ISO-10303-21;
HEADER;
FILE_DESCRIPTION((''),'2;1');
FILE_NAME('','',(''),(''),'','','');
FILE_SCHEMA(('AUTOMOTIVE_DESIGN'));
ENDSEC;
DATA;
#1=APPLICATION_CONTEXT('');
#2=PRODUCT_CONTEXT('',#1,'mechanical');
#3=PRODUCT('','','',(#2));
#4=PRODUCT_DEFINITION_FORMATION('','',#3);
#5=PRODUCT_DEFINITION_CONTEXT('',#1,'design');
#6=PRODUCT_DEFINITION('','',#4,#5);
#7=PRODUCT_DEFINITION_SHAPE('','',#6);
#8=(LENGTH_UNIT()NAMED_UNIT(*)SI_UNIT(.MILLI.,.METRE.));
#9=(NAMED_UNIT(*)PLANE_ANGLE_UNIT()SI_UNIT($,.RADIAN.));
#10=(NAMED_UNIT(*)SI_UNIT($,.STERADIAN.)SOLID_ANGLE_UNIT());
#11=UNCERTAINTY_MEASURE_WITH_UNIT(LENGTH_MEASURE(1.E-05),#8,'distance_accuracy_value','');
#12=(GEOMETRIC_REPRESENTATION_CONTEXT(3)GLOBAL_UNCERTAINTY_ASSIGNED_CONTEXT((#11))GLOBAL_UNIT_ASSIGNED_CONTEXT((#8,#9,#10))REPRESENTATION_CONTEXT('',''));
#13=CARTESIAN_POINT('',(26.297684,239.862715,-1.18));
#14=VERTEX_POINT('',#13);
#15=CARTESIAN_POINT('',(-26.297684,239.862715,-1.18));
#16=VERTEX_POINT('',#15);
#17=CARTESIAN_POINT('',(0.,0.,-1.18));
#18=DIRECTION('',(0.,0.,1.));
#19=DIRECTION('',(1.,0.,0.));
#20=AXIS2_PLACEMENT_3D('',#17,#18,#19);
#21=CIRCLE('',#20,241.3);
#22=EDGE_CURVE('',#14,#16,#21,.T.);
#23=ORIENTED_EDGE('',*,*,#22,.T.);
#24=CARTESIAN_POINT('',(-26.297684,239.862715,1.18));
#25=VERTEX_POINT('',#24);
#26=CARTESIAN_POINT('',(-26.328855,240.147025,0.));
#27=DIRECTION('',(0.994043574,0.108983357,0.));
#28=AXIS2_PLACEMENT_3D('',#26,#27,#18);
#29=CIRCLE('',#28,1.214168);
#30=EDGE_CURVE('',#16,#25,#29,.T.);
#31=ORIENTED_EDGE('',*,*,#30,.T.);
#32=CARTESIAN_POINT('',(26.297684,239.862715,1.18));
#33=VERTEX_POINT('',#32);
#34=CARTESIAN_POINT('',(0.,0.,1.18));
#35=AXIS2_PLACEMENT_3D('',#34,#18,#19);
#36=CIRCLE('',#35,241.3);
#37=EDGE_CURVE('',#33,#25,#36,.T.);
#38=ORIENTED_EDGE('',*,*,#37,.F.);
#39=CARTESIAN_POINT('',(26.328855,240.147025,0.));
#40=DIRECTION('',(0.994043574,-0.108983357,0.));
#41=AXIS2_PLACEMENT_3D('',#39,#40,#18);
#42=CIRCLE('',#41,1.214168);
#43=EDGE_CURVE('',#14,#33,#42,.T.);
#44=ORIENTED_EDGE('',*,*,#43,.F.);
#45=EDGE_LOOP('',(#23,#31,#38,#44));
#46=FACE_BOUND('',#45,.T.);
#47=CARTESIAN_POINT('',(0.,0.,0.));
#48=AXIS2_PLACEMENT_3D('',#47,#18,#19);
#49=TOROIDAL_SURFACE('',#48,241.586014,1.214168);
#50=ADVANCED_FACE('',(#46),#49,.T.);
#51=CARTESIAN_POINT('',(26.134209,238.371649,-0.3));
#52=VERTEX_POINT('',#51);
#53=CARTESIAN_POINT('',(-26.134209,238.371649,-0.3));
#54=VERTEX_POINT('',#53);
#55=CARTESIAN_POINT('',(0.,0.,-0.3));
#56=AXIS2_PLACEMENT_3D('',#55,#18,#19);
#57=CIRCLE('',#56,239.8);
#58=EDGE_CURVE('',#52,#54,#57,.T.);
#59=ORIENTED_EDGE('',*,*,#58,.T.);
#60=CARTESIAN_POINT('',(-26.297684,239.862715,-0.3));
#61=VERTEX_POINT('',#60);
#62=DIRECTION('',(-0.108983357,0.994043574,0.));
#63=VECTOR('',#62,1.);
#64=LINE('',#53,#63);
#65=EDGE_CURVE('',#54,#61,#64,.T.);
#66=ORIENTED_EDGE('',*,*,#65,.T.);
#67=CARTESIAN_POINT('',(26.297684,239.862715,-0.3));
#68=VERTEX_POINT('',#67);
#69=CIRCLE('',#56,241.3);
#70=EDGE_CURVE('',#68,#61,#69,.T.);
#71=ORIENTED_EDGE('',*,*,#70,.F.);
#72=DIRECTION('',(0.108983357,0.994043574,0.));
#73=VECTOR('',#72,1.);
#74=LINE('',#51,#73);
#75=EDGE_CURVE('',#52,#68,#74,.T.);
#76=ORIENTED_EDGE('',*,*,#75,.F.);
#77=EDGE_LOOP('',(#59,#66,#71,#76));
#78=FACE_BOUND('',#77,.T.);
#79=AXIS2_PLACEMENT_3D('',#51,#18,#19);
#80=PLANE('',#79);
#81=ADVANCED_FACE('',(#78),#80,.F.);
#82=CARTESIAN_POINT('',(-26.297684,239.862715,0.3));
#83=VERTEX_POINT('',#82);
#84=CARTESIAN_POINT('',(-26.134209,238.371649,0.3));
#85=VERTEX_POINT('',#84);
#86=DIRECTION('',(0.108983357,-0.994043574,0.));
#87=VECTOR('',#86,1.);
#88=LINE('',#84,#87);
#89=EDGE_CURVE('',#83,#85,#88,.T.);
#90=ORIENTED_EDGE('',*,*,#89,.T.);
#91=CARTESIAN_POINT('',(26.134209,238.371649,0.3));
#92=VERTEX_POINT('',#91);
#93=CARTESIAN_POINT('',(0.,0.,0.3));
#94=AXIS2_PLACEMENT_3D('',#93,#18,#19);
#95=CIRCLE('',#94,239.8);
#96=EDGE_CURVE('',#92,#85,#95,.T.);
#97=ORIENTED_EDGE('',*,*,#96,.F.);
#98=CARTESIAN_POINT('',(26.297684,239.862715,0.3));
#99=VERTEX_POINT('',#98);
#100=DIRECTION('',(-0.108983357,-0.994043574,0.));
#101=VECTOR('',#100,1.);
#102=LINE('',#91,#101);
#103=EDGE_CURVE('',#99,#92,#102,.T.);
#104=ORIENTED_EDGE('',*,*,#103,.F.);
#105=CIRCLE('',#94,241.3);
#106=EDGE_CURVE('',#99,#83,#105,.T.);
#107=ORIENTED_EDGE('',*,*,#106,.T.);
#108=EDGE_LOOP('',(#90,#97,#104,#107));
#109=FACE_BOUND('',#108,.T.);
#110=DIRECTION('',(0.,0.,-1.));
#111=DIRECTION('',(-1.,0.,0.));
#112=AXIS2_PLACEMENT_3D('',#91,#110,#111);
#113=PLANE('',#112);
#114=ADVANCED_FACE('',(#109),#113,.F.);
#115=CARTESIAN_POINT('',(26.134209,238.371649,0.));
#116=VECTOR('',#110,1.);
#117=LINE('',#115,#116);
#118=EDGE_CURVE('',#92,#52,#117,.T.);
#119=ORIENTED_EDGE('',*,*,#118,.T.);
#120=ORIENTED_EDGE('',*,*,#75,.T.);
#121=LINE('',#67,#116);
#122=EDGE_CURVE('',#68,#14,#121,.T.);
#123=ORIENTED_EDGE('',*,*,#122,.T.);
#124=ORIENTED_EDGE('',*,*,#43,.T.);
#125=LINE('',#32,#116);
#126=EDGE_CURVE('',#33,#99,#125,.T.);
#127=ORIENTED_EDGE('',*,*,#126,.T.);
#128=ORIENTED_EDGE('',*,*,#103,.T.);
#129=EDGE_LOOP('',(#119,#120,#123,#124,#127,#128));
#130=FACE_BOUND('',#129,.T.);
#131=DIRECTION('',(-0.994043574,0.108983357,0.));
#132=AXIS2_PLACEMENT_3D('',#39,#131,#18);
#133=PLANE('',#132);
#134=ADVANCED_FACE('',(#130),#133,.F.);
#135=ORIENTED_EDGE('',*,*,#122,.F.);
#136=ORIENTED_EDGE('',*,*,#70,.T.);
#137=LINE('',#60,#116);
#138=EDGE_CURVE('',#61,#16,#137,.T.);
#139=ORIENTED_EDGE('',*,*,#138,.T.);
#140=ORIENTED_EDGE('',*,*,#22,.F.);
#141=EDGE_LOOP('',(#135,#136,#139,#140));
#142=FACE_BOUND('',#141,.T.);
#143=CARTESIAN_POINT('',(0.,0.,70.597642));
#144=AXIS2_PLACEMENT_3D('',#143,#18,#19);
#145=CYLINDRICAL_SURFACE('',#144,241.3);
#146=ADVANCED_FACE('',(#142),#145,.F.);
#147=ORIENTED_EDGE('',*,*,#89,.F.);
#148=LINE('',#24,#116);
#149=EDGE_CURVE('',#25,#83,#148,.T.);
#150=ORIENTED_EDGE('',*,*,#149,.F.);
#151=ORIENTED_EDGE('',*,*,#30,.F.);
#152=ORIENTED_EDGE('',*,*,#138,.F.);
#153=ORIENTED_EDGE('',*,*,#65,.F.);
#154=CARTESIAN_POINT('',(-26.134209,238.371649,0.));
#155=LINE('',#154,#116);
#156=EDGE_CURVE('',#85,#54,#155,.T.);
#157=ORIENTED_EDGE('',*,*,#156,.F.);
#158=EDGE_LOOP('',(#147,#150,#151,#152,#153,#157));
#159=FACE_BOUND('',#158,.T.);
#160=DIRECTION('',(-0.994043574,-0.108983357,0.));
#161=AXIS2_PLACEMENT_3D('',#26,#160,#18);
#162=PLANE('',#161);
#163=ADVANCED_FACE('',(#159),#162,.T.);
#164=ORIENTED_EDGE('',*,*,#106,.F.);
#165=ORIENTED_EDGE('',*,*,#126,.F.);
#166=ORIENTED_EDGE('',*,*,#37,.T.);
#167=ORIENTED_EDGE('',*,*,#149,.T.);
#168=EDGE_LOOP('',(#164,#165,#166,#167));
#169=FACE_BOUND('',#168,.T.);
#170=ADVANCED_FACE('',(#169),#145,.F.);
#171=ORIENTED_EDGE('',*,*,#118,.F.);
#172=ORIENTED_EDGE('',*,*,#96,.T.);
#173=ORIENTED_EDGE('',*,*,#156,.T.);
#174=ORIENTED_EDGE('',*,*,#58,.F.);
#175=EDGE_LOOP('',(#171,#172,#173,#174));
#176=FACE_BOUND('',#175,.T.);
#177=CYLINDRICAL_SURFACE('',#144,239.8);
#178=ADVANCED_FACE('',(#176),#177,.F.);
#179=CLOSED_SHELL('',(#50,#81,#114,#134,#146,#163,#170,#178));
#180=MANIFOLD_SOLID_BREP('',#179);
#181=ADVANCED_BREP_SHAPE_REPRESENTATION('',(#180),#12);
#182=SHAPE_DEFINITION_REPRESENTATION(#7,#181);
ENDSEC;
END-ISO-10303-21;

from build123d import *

# Parameters (mm, degrees)
REVOLVE1_ANGLE           = 6.256713905
REVOLVE1_OTHER_WAY_ANGLE = 6.256713905


with BuildPart() as part:
    # Sketch2 → Revolve1 (revolve)
    with BuildSketch(Plane(origin=(0, 0, 0), x_dir=(0, 0, -1), z_dir=(1, 0, 0))):
        with BuildLine():
            Line((0, 239.8), (0.3, 239.8))
            Line((0.3, 239.8), (0.3, 241.3))
            Line((0.3, 241.3), (1.18, 241.3))
            ThreePointArc((1.18, 241.3), (0, 242.800182019), (-1.18, 241.3))
            Line((-1.18, 241.3), (-0.3, 241.3))
            Line((-0.3, 241.3), (-0.3, 239.8))
            Line((-0.3, 239.8), (0, 239.8))
        make_face()
    revolve(axis=Axis((0, 0, 70.597641597), (0, 0, -1)), revolution_arc=REVOLVE1_ANGLE)

    # Sketch2 → Revolve1 other way (revolve)
    with BuildSketch(Plane(origin=(0, 0, 0), x_dir=(0, 0, -1), z_dir=(1, 0, 0))):
        with BuildLine():
            Line((0, 239.8), (0.3, 239.8))
            Line((0.3, 239.8), (0.3, 241.3))
            Line((0.3, 241.3), (1.18, 241.3))
            ThreePointArc((1.18, 241.3), (0, 242.800182019), (-1.18, 241.3))
            Line((-1.18, 241.3), (-0.3, 241.3))
            Line((-0.3, 241.3), (-0.3, 239.8))
            Line((-0.3, 239.8), (0, 239.8))
        make_face()
    revolve(axis=Axis((0, 0, 70.597641597), (0, 0, 1)), revolution_arc=REVOLVE1_OTHER_WAY_ANGLE)


solid = part.part
